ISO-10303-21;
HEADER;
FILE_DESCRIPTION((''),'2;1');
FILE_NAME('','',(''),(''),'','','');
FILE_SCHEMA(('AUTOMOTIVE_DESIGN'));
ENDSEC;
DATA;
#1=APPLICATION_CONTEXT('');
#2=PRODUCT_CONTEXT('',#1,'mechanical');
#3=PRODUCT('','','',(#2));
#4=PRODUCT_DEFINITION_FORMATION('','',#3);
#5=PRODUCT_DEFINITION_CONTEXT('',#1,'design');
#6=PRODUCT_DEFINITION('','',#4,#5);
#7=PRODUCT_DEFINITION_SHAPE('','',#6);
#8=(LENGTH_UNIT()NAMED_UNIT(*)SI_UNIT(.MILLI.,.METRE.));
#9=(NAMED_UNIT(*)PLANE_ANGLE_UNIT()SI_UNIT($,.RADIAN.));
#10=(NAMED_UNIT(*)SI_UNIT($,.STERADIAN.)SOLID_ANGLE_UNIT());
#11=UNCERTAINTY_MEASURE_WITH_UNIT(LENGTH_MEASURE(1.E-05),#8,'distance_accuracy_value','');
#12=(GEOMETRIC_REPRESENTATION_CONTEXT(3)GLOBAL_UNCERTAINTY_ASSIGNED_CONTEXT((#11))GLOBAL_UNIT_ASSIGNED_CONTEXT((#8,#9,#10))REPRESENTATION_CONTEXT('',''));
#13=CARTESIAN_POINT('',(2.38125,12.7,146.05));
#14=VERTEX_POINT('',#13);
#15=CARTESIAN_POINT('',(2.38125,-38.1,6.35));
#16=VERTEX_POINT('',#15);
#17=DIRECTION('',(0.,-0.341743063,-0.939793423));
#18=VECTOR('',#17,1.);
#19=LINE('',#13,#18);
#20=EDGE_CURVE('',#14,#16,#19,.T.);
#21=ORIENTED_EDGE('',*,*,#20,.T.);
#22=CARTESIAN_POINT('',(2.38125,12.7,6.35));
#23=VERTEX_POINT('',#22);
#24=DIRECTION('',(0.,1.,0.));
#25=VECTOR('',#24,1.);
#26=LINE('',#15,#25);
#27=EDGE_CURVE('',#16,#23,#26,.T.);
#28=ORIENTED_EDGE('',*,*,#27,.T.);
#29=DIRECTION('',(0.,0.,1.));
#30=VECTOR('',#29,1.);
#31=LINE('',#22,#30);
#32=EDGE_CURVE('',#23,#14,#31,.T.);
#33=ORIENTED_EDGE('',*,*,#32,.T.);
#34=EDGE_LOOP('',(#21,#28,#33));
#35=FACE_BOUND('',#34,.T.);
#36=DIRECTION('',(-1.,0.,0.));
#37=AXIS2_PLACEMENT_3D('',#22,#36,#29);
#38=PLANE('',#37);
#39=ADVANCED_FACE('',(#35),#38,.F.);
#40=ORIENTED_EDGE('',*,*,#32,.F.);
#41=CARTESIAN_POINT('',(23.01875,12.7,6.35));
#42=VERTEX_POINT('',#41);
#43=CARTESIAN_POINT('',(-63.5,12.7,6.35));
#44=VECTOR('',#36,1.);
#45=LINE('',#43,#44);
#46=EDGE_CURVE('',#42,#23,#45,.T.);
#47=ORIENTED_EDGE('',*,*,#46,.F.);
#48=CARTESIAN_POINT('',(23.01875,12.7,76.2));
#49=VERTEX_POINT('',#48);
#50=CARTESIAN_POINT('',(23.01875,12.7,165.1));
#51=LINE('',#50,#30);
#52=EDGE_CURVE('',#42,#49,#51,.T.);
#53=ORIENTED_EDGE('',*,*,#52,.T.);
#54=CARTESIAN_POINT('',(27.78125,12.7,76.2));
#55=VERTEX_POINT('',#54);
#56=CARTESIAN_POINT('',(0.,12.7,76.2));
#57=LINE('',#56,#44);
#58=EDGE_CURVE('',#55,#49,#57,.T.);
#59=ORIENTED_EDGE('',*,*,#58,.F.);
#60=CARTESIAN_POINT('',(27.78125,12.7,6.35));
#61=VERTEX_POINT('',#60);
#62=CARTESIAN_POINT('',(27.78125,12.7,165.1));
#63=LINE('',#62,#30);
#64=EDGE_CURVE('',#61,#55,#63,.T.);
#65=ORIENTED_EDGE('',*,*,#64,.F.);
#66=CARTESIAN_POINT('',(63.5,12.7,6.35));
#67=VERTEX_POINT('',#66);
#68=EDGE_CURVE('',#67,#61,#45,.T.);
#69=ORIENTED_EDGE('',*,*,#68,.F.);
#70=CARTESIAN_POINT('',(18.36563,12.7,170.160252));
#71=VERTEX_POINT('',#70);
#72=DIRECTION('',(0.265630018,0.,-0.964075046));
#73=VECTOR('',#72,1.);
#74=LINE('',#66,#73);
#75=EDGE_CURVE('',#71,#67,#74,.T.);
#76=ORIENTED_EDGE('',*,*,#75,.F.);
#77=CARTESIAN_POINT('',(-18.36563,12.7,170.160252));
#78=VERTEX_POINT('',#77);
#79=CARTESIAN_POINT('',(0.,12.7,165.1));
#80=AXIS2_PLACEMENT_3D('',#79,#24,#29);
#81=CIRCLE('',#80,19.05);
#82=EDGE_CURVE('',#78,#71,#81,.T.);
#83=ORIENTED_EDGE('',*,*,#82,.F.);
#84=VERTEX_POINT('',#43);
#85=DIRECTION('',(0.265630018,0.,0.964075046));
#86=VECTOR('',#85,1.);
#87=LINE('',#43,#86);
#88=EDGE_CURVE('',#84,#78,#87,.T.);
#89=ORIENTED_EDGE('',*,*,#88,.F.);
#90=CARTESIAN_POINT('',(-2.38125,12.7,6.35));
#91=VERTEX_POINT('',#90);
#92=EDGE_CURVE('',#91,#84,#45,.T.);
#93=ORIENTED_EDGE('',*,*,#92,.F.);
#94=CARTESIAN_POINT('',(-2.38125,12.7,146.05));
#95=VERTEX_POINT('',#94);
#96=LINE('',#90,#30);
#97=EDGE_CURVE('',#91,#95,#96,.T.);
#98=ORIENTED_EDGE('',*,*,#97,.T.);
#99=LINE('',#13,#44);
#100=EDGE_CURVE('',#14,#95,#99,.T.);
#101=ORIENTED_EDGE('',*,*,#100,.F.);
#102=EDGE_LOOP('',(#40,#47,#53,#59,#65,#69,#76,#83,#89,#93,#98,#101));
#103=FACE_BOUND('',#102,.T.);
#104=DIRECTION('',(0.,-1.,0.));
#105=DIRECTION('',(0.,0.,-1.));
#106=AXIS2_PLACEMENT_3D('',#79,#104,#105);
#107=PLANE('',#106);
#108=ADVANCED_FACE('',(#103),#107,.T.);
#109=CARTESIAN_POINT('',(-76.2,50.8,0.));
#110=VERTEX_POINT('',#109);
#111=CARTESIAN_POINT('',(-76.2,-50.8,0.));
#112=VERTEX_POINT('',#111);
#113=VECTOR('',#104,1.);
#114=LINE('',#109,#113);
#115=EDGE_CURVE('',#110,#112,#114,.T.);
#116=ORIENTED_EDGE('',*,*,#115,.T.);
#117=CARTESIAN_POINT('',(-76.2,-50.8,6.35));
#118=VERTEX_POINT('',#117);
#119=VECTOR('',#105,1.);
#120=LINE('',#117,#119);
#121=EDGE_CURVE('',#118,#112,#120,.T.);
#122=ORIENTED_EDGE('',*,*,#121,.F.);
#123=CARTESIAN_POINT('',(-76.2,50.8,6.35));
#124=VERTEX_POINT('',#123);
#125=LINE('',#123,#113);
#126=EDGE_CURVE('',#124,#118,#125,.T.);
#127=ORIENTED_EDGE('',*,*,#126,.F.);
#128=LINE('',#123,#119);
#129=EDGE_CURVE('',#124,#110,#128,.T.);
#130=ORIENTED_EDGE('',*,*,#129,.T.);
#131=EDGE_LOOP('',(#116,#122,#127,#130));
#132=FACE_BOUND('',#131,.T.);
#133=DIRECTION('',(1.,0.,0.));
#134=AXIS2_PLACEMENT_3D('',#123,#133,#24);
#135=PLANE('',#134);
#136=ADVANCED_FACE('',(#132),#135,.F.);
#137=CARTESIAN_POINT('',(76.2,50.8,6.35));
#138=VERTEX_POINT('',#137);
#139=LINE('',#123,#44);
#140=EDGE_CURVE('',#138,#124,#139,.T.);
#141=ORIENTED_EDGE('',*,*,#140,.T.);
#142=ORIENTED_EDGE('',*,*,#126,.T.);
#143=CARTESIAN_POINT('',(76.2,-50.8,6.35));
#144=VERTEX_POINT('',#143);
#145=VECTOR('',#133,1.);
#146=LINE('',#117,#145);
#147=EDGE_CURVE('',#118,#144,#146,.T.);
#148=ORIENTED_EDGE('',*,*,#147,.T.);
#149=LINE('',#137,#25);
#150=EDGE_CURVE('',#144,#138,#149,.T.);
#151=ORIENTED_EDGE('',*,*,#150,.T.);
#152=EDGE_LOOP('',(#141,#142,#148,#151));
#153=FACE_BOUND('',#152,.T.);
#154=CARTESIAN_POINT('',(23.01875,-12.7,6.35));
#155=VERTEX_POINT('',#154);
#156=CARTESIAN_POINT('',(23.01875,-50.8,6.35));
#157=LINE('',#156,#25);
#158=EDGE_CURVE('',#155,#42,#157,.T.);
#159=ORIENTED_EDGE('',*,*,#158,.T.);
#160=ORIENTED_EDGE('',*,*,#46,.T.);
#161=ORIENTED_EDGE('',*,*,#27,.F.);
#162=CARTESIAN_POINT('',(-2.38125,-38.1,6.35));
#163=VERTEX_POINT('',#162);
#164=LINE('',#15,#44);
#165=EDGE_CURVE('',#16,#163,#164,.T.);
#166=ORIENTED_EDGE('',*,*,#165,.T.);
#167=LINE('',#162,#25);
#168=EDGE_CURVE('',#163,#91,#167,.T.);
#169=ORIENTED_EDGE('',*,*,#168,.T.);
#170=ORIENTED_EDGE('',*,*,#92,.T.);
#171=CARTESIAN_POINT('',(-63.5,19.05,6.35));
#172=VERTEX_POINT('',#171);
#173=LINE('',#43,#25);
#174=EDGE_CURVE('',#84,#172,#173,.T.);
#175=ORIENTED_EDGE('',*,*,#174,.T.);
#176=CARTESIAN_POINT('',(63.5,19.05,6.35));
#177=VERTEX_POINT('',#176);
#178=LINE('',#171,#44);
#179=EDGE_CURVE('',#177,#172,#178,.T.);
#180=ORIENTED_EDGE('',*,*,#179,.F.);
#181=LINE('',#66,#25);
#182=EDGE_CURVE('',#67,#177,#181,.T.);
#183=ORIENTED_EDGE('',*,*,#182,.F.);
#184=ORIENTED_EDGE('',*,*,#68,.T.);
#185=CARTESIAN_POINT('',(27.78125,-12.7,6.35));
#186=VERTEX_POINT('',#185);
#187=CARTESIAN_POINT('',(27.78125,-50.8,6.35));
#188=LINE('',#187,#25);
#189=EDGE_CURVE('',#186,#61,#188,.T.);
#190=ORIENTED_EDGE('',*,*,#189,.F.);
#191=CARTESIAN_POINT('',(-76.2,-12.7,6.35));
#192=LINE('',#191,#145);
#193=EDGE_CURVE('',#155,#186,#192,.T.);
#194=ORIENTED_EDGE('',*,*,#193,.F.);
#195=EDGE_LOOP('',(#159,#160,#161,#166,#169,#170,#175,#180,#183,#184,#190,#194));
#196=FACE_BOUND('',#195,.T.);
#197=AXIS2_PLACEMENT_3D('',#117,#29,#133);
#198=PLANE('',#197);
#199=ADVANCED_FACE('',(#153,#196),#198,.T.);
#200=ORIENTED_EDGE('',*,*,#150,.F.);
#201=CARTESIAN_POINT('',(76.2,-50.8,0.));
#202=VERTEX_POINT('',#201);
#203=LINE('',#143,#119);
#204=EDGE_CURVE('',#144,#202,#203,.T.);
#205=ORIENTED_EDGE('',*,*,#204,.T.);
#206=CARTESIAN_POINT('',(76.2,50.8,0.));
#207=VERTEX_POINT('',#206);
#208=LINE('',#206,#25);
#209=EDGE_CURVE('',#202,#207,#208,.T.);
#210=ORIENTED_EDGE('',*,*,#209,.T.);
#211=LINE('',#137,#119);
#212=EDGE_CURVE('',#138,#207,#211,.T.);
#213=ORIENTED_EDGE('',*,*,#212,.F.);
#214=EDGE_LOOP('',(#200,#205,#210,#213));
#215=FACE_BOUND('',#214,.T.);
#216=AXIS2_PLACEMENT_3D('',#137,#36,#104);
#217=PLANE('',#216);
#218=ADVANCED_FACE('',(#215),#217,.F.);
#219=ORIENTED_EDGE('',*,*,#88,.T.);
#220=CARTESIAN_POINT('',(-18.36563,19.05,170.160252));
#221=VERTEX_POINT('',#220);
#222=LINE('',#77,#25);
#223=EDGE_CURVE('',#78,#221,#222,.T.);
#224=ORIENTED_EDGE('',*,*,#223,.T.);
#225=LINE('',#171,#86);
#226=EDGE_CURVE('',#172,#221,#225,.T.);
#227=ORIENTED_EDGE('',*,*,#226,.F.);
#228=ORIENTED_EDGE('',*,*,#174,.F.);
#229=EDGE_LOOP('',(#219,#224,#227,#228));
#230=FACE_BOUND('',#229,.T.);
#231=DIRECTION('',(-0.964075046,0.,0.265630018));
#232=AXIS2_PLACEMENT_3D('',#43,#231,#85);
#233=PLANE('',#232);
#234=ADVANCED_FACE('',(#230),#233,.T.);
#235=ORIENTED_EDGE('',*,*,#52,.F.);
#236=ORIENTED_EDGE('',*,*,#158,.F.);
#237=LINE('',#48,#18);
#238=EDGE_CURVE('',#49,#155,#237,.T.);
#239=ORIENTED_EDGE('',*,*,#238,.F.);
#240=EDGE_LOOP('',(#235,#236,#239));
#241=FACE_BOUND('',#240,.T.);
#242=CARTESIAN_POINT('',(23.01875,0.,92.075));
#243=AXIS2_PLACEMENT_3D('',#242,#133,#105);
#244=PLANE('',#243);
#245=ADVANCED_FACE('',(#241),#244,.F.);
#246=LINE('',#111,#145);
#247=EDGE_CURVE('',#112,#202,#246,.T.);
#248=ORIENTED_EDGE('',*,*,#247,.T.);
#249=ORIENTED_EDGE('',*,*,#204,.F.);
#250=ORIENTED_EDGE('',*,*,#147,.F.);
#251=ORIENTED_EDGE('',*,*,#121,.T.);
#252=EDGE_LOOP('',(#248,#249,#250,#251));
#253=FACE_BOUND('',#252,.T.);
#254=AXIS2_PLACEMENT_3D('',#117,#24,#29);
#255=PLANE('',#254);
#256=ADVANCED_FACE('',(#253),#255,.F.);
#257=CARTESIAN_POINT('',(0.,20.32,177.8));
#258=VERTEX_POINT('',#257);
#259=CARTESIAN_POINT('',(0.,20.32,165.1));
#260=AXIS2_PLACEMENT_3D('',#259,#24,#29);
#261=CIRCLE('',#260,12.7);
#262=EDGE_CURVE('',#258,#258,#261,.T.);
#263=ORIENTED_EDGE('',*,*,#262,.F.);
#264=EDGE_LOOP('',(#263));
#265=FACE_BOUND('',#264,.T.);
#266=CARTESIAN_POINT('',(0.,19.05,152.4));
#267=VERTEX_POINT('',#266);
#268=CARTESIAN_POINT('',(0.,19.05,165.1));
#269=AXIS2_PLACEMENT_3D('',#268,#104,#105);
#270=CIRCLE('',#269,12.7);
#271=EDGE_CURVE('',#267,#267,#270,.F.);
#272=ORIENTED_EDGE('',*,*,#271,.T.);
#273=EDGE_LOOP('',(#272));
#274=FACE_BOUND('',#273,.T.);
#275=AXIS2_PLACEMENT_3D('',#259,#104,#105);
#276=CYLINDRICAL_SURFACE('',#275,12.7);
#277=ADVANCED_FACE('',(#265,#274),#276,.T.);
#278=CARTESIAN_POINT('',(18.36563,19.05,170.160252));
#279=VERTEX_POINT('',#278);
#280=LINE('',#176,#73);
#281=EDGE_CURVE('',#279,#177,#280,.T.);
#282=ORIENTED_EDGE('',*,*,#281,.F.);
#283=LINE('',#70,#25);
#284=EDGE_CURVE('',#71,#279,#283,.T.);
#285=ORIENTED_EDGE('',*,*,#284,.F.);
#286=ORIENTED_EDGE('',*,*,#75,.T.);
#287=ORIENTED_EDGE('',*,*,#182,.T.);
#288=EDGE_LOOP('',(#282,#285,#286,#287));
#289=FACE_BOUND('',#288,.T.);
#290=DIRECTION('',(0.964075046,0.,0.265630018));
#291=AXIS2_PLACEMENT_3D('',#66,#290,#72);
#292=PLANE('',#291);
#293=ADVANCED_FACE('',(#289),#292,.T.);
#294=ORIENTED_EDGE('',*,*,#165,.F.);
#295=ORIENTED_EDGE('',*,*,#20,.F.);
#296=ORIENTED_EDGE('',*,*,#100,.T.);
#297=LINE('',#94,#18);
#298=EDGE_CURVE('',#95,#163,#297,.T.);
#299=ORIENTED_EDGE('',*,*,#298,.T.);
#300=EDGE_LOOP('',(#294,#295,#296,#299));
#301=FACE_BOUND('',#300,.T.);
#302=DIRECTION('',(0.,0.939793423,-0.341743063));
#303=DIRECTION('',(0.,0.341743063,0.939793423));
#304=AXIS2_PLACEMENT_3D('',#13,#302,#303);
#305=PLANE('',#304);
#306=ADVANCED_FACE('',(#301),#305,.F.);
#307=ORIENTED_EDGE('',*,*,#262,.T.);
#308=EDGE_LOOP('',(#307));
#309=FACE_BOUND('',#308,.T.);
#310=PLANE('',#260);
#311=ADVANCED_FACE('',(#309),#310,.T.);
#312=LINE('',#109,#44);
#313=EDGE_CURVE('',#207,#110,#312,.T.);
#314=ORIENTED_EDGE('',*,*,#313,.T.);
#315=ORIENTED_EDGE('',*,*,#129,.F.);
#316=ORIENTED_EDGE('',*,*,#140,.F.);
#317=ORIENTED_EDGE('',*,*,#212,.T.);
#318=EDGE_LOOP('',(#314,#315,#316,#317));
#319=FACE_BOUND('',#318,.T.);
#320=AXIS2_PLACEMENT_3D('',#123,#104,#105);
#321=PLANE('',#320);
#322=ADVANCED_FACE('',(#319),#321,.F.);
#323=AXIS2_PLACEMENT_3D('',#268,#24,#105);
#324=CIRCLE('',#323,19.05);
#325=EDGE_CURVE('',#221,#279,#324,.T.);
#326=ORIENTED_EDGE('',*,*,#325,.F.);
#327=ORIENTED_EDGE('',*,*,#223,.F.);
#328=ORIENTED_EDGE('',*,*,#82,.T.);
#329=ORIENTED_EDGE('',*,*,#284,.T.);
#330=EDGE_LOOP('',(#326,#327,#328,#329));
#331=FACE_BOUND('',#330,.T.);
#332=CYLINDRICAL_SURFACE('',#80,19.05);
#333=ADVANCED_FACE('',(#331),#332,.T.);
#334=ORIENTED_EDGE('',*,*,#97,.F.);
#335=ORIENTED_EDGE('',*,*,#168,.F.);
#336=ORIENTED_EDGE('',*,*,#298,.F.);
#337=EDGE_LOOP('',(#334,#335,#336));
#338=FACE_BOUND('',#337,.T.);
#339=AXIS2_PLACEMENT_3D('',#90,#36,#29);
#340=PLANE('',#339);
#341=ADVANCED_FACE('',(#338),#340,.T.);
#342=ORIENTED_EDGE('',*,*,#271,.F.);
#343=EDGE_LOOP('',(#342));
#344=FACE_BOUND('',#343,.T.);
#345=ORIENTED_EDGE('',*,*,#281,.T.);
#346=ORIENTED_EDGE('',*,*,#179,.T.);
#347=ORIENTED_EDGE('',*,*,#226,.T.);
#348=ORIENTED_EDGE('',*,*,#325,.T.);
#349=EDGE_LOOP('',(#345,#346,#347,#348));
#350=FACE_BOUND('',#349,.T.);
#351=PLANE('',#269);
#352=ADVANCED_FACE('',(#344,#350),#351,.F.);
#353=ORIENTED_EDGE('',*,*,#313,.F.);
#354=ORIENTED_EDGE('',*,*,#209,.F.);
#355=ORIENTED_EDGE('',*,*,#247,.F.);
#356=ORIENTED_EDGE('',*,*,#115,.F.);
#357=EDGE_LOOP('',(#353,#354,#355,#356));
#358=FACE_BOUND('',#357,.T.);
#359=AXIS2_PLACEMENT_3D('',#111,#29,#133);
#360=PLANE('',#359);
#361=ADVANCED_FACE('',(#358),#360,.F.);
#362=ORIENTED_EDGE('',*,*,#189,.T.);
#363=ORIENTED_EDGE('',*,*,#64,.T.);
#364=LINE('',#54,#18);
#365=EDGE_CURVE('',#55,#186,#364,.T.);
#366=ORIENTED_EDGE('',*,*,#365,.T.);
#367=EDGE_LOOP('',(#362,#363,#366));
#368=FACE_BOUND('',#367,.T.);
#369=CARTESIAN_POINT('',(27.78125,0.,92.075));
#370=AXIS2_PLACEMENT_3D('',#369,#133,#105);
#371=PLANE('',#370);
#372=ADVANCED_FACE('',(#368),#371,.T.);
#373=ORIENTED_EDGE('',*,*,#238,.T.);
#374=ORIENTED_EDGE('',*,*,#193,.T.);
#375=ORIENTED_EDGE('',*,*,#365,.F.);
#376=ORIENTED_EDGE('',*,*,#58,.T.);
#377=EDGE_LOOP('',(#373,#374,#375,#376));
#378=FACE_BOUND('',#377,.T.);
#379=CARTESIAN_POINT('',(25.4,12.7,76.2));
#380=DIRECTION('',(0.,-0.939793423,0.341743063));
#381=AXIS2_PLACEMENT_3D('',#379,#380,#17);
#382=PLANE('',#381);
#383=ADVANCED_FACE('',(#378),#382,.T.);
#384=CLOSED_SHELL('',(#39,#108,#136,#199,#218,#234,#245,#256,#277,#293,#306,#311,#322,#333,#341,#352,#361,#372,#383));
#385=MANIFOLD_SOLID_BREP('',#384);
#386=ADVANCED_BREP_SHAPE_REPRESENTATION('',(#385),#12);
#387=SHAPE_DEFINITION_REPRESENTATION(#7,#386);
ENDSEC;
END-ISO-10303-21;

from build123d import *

# Parameters (mm, degrees)
SKETCH1_W      = 152.4
SKETCH1_H      = 101.6
EXTRUDE1_DEPTH = 6.35
EXTRUDE2_DEPTH = 6.35
SKETCH4_R      = 12.7
EXTRUDE3_DEPTH = 1.27
EXTRUDE4_DEPTH = 2.38125
RIB4_REACH     = 218.366
SKETCH8_WALL_W = 509.057660384
SKETCH8_WALL_H = 4.7625


with BuildPart() as part:
    # Sketch1 → Extrude1 (new body)
    with BuildSketch(Plane.XY):
        Rectangle(SKETCH1_W, SKETCH1_H)
    extrude(amount=EXTRUDE1_DEPTH)

    # Sketch3 → Extrude2 (add)
    with BuildSketch(Plane(origin=(0, 19.05, 0), x_dir=(-1, 0, 0), z_dir=(0, 1, 0))):
        with BuildLine():
            Line((63.5, 6.35), (18.365629617, 170.160251847))
            ThreePointArc((18.365629617, 170.160251847), (11.54349822, 180.254212248), (0, 184.15))
            ThreePointArc((0, 184.15), (-11.54349822, 180.254212248), (-18.365629617, 170.160251847))
            Line((-18.365629617, 170.160251847), (-63.5, 6.35))
            Line((-63.5, 6.35), (63.5, 6.35))
        make_face()
    extrude(amount=-EXTRUDE2_DEPTH)

    # Sketch4 → Extrude3 (add)
    with BuildSketch(Plane(origin=(0, 19.05, 0), x_dir=(-1, 0, 0), z_dir=(0, 1, 0))):
        with Locations(Location((0, 165.1, 0), (0, 0, 270))):
            Circle(SKETCH4_R)
    extrude(amount=EXTRUDE3_DEPTH)

    # Sketch5 → Extrude4 (add, symmetric)
    with BuildSketch(Plane(origin=(0, 0, 0), x_dir=(0, 0, -1), z_dir=(1, 0, 0))):
        Polygon((-146.05, 12.7), (-6.35, -38.1), (-6.35, 12.7), align=None)
    extrude(amount=EXTRUDE4_DEPTH, both=True)

    # Sketch8 wall → Rib4 (add, up to next)
    with BuildSketch(Plane(origin=(25.4, 0, 41.275), x_dir=(0, -0.341743063087, -0.939793423488), z_dir=(0, 0.939793423488, -0.341743063087)), mode=Mode.PRIVATE) as rib4_sk1:
        Rectangle(SKETCH8_WALL_W, SKETCH8_WALL_H)
    rib4_tool1 = extrude(rib4_sk1.sketch, amount=RIB4_REACH, mode=Mode.PRIVATE) - part.part
    add(rib4_tool1.solids().sort_by_distance((25.4, 0, 41.275))[0])


solid = part.part
